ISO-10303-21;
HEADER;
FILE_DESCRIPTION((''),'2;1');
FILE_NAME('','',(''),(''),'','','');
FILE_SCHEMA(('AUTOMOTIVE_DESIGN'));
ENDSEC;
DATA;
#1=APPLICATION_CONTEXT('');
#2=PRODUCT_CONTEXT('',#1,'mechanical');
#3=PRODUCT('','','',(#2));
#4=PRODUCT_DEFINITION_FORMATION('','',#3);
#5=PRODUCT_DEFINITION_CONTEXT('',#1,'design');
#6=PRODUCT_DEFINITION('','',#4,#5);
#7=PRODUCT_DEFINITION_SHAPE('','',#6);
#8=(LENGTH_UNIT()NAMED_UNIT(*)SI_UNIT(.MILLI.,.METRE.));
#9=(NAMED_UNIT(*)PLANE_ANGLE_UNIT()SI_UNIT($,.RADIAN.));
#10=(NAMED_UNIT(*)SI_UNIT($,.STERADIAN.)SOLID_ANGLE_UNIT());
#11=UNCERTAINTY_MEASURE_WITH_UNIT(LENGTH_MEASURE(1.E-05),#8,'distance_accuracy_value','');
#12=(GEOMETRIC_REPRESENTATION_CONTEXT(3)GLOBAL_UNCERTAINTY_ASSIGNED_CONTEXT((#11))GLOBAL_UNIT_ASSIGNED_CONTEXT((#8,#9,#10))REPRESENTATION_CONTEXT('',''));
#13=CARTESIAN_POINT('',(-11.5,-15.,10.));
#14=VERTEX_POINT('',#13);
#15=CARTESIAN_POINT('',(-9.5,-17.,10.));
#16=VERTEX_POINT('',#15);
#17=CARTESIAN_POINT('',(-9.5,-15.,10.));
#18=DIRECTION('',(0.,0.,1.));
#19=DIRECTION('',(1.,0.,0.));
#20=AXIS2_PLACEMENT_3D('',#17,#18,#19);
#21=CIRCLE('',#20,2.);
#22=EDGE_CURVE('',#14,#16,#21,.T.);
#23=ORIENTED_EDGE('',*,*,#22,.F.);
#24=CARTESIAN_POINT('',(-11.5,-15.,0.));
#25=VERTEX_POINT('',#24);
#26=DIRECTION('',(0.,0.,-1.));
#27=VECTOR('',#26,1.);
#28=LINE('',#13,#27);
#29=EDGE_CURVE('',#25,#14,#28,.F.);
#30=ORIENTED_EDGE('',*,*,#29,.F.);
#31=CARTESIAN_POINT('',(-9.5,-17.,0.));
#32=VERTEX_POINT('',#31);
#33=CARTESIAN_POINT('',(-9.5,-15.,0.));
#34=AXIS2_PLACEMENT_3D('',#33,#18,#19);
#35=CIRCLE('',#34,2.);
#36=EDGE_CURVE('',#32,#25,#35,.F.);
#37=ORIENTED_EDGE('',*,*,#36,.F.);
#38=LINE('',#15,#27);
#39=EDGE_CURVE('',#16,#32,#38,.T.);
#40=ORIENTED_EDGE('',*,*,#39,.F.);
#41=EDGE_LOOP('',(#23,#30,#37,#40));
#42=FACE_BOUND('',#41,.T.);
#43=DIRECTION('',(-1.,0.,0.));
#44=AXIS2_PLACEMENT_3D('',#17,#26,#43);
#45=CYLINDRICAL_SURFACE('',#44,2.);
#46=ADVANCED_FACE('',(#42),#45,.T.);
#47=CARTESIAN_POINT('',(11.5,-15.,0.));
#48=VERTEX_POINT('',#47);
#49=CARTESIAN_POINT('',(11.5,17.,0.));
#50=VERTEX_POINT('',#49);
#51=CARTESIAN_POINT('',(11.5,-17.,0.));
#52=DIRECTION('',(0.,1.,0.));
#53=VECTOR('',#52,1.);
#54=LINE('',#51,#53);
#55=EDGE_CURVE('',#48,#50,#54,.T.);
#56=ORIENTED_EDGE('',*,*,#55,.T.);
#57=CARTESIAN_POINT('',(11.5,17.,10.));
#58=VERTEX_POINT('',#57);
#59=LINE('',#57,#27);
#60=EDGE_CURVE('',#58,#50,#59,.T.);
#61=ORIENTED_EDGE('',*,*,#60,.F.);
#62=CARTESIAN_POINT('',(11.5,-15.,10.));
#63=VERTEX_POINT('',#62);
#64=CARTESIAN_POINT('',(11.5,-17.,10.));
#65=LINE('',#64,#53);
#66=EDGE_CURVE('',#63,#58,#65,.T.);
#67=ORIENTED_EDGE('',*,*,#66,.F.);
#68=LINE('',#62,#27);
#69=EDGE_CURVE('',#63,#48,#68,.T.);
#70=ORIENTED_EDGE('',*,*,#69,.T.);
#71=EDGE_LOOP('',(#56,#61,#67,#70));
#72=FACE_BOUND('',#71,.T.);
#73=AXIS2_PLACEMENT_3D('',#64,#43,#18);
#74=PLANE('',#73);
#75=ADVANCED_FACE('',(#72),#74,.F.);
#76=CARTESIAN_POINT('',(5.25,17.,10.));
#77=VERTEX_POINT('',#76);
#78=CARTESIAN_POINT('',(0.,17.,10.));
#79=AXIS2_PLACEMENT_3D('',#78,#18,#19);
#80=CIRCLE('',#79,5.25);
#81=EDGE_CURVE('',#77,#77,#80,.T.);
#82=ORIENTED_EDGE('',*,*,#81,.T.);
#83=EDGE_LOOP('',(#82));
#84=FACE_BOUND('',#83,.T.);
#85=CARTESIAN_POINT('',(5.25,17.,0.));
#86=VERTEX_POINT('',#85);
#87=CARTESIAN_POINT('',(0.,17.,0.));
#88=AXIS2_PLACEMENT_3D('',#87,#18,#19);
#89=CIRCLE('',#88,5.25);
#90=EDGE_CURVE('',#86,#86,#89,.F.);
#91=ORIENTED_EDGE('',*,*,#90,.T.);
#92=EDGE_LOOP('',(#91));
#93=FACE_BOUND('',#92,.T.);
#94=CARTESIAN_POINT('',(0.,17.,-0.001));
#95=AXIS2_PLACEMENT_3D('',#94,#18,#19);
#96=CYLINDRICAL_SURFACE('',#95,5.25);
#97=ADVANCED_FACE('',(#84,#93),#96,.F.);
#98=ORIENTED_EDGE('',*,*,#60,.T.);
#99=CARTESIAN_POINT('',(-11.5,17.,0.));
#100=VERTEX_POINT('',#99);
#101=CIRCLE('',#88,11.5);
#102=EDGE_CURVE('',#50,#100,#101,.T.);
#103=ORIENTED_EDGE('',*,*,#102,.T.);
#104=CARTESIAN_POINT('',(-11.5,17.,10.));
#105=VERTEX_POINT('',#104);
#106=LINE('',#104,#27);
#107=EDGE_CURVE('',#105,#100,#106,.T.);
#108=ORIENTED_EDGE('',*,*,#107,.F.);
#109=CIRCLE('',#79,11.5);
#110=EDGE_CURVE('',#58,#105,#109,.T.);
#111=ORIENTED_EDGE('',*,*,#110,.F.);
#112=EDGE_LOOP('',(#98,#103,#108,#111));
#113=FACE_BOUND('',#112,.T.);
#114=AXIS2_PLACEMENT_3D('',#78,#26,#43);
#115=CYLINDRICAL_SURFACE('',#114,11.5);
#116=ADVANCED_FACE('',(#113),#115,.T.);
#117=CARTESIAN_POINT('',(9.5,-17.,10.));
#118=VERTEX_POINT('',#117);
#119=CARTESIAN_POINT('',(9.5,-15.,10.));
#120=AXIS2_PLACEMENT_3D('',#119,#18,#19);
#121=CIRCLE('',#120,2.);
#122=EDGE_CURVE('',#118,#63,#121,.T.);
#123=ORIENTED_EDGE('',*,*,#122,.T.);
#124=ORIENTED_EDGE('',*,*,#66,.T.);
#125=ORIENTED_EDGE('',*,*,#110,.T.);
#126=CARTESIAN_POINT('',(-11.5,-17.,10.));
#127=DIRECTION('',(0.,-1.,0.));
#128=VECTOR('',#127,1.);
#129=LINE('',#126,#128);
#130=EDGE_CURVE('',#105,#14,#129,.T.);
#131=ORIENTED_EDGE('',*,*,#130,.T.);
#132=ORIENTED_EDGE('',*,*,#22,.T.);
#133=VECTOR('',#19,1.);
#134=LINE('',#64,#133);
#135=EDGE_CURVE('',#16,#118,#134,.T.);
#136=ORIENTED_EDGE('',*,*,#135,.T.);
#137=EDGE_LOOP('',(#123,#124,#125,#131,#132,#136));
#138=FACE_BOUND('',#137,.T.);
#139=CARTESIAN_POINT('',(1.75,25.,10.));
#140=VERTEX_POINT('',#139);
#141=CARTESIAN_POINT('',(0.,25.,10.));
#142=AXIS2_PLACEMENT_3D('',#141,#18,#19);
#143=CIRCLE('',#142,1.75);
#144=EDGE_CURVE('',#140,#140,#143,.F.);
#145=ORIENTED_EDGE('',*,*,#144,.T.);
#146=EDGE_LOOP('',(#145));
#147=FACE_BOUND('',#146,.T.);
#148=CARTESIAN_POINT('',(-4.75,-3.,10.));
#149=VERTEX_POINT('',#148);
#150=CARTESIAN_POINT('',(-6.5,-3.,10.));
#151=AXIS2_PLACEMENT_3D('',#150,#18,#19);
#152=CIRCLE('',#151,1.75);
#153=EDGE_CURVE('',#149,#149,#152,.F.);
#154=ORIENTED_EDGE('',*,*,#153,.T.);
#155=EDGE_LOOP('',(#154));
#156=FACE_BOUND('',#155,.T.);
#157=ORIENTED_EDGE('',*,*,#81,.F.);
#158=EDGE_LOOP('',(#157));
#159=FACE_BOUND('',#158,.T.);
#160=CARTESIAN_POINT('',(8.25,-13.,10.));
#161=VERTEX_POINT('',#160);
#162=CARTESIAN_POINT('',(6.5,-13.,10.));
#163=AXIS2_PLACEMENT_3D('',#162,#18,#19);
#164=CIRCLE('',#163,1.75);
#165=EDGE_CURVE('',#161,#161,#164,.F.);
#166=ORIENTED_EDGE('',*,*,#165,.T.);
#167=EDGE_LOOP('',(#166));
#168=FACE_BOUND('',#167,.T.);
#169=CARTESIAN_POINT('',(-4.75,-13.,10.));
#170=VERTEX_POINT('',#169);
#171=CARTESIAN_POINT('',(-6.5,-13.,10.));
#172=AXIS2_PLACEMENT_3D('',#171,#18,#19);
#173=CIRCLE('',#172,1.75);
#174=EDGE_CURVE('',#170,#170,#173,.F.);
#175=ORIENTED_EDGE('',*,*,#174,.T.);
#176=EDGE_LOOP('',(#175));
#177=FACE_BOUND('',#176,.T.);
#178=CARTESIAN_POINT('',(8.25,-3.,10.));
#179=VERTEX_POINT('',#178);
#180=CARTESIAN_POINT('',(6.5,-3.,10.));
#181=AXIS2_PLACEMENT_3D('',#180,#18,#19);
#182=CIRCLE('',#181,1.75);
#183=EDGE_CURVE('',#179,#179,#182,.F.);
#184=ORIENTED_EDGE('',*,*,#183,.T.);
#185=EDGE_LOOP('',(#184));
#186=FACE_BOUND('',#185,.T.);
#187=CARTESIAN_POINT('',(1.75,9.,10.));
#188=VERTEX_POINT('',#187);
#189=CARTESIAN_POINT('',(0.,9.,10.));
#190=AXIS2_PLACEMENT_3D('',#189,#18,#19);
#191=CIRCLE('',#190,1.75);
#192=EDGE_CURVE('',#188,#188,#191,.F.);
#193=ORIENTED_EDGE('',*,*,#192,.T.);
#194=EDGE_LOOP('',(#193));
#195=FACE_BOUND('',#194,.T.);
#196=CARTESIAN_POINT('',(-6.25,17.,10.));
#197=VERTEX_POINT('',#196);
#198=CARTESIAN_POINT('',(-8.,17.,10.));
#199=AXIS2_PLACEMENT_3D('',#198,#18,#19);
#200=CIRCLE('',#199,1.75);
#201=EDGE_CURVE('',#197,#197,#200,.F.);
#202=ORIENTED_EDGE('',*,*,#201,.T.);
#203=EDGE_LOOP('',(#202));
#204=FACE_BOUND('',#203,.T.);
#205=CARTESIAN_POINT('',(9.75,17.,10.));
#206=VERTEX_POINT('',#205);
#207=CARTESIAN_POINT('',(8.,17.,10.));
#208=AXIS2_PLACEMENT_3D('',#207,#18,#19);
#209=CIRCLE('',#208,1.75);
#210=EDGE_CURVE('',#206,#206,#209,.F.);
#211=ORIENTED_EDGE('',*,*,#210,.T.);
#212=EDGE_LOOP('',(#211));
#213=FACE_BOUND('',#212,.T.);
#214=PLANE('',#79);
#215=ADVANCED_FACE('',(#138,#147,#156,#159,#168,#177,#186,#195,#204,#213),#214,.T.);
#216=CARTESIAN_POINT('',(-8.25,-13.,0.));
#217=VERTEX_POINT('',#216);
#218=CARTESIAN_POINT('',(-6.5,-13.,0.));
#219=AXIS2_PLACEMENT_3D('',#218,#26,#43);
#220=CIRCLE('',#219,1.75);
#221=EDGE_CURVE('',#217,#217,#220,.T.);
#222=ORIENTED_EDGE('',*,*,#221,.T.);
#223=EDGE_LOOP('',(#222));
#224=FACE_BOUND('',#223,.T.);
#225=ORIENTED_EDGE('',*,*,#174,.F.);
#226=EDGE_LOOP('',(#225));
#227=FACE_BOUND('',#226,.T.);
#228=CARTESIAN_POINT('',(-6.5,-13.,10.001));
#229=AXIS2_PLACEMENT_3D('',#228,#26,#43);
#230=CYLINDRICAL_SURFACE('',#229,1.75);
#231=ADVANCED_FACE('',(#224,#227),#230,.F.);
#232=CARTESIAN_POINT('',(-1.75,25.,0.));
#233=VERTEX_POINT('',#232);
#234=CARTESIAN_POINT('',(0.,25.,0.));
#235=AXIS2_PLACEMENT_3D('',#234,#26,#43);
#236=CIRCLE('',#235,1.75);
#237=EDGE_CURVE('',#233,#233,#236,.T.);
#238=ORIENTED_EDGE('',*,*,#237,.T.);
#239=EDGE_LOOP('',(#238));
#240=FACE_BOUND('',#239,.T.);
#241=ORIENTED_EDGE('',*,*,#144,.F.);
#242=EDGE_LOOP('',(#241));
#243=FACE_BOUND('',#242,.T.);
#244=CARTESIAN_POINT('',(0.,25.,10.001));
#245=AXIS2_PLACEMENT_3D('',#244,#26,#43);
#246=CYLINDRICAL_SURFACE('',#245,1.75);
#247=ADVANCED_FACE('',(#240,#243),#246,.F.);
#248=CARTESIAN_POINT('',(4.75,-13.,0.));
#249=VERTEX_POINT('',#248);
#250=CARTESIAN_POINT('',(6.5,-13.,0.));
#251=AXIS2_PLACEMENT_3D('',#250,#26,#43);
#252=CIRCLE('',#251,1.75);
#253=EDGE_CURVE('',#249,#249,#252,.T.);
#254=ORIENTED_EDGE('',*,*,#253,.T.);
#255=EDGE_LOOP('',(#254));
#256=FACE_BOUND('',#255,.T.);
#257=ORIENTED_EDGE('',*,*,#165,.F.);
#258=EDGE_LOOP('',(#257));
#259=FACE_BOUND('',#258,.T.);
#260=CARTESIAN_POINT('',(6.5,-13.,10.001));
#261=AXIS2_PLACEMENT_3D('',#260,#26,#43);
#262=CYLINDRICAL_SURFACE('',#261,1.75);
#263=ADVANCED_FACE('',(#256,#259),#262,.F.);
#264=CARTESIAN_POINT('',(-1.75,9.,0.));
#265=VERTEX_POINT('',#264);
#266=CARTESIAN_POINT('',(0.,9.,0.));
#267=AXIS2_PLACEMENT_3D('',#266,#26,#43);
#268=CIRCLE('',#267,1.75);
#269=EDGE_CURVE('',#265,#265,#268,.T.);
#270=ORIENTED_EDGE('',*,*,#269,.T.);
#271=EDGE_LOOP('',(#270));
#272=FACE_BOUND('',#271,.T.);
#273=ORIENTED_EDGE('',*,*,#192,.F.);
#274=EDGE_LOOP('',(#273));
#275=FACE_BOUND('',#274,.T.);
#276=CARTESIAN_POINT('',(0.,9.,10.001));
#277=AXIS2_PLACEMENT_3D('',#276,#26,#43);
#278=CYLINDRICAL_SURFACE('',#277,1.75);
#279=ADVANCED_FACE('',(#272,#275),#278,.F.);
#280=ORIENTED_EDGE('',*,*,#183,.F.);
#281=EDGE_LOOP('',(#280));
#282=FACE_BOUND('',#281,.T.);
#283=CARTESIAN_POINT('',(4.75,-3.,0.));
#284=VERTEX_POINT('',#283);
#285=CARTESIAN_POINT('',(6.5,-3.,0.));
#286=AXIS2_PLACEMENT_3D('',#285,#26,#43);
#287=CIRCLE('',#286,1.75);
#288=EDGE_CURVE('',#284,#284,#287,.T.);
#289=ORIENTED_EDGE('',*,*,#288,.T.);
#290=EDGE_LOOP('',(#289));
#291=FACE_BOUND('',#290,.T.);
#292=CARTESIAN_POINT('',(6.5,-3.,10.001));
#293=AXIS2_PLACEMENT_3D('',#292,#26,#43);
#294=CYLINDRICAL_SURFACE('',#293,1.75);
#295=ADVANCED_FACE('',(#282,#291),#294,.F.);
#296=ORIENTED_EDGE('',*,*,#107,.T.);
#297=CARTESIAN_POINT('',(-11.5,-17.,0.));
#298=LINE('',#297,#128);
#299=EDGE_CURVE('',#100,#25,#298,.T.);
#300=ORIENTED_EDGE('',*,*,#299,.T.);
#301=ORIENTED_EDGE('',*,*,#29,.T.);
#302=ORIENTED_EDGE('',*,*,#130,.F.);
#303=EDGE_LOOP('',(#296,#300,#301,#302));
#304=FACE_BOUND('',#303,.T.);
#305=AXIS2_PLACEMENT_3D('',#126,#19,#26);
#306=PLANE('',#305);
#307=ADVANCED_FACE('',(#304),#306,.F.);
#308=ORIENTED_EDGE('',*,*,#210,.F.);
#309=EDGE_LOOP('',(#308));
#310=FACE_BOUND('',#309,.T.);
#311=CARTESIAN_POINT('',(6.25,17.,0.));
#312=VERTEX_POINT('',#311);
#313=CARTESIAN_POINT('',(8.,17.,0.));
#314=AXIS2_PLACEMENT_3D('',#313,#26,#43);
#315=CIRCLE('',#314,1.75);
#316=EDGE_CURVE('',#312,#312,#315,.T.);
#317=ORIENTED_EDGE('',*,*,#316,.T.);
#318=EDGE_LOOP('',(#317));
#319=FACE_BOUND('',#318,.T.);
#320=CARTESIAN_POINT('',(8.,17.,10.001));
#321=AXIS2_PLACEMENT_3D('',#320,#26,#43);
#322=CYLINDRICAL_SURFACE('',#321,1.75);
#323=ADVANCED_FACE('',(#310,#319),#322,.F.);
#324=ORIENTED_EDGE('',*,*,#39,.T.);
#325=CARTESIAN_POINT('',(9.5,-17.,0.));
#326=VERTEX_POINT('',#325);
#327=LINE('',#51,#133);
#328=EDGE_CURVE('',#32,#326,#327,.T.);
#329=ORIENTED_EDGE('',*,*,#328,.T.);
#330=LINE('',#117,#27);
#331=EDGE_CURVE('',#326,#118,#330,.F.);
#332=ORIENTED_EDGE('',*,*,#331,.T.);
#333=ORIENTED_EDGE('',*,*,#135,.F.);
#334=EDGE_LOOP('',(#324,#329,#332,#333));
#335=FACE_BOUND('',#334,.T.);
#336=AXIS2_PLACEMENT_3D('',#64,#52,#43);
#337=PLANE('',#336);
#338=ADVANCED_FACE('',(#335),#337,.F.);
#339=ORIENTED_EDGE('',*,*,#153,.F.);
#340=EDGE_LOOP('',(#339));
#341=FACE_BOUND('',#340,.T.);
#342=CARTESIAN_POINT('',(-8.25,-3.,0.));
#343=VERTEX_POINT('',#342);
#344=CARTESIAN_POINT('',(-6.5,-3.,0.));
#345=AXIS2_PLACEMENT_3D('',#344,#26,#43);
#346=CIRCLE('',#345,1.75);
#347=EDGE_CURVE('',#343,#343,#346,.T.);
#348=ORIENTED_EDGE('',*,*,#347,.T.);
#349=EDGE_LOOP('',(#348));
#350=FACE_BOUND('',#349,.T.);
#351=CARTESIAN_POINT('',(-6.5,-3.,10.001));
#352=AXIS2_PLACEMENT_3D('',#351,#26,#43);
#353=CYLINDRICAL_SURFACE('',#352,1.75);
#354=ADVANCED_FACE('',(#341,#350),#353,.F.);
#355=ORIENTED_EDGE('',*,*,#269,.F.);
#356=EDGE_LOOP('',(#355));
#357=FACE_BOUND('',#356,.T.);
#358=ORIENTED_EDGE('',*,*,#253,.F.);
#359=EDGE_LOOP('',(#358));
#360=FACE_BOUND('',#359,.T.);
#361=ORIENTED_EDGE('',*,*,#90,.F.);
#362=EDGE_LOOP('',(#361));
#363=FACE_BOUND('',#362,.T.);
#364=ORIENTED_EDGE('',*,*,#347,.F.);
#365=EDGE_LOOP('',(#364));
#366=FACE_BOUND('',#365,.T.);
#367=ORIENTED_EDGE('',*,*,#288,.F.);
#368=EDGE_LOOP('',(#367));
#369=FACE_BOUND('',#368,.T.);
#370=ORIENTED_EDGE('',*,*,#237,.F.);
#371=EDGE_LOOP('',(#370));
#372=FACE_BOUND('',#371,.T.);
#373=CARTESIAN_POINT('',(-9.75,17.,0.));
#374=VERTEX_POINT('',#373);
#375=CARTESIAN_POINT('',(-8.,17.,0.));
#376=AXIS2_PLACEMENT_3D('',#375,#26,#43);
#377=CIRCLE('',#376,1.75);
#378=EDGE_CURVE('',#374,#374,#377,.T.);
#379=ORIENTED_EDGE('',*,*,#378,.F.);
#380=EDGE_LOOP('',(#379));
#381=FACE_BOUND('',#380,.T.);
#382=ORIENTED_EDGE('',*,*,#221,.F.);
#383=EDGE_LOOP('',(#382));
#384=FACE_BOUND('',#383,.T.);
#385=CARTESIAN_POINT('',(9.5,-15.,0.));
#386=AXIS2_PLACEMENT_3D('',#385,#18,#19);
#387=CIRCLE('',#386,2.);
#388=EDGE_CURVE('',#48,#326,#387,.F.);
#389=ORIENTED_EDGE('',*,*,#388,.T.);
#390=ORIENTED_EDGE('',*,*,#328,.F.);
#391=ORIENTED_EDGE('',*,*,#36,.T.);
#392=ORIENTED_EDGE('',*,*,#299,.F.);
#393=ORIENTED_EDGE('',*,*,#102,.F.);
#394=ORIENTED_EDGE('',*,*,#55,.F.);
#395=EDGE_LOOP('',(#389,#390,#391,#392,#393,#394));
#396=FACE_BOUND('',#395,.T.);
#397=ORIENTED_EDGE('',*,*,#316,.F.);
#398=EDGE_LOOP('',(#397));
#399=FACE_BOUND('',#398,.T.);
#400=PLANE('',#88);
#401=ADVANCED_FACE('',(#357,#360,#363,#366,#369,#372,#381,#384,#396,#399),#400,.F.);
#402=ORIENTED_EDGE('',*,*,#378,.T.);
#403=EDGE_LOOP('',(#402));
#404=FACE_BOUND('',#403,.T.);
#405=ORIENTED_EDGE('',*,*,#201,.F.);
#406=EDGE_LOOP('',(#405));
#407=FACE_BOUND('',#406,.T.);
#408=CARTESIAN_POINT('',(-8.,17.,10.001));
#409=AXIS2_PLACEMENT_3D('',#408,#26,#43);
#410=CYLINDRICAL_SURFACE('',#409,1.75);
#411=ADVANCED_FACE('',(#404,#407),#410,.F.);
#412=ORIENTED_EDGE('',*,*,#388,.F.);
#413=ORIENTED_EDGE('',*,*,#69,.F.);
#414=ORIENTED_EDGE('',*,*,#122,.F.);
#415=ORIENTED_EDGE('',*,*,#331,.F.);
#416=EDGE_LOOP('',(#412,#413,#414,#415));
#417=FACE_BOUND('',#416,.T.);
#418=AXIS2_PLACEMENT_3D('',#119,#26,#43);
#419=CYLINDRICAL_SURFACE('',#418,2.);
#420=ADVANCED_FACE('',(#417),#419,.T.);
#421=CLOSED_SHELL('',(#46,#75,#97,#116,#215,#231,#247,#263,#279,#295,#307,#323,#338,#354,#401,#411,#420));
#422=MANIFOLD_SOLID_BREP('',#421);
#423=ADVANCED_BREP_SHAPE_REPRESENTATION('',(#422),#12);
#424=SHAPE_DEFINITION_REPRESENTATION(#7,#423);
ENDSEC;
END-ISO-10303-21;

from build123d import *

# Parameters (mm, degrees)
BOSS_EXTRUDE1_DEPTH = 10
CUT_EXTRUDE1_REACH  = 34.319
SKETCH4_R           = 5.25
CUT_EXTRUDE2_REACH  = 34.319
SKETCH6_R           = 1.75
CUT_EXTRUDE3_REACH  = 34.319
SKETCH7_R           = 1.75
FILLET1_R           = 2


with BuildPart() as part:
    # Sketch2 → Boss-Extrude1 (new body)
    with BuildSketch(Plane.XY):
        with BuildLine():
            Line((11.5, -17), (-11.5, -17))
            Line((-11.5, -17), (-11.5, 17))
            ThreePointArc((-11.5, 17), (0, 28.5), (11.5, 17))
            Line((11.5, 17), (11.5, -17))
        make_face()
    extrude(amount=BOSS_EXTRUDE1_DEPTH)

    # Sketch4 → Cut-Extrude1 (cut, up to next)
    with BuildSketch(Plane.XY.offset(10), mode=Mode.PRIVATE) as cut_extrude1_sk1:
        with Locations((0, 17)):
            Circle(SKETCH4_R)
    cut_extrude1_tool1 = extrude(cut_extrude1_sk1.sketch, amount=-CUT_EXTRUDE1_REACH, mode=Mode.PRIVATE) & part.part
    add(cut_extrude1_tool1.solids().sort_by_distance((0, 17, 10))[0], mode=Mode.SUBTRACT)

    # Sketch6 → Cut-Extrude2 (cut, up to next)
    with BuildSketch(Plane(origin=(0, 0, 0), x_dir=(-1, 0, 0), z_dir=(0, 0, -1)), mode=Mode.PRIVATE) as cut_extrude2_sk1:
        with Locations((0, 25)):
            Circle(SKETCH6_R)
    cut_extrude2_tool1 = extrude(cut_extrude2_sk1.sketch, amount=-CUT_EXTRUDE2_REACH, mode=Mode.PRIVATE) & part.part
    # Sketch6 → Cut-Extrude2 (cut, up to next)
    with BuildSketch(Plane(origin=(0, 0, 0), x_dir=(-1, 0, 0), z_dir=(0, 0, -1)), mode=Mode.PRIVATE) as cut_extrude2_sk2:
        with Locations((8, 17)):
            Circle(SKETCH6_R)
    cut_extrude2_tool2 = extrude(cut_extrude2_sk2.sketch, amount=-CUT_EXTRUDE2_REACH, mode=Mode.PRIVATE) & part.part
    # Sketch6 → Cut-Extrude2 (cut, up to next)
    with BuildSketch(Plane(origin=(0, 0, 0), x_dir=(-1, 0, 0), z_dir=(0, 0, -1)), mode=Mode.PRIVATE) as cut_extrude2_sk3:
        with Locations((0, 9)):
            Circle(SKETCH6_R)
    cut_extrude2_tool3 = extrude(cut_extrude2_sk3.sketch, amount=-CUT_EXTRUDE2_REACH, mode=Mode.PRIVATE) & part.part
    # Sketch6 → Cut-Extrude2 (cut, up to next)
    with BuildSketch(Plane(origin=(0, 0, 0), x_dir=(-1, 0, 0), z_dir=(0, 0, -1)), mode=Mode.PRIVATE) as cut_extrude2_sk4:
        with Locations((-8, 17)):
            Circle(SKETCH6_R)
    cut_extrude2_tool4 = extrude(cut_extrude2_sk4.sketch, amount=-CUT_EXTRUDE2_REACH, mode=Mode.PRIVATE) & part.part
    add(cut_extrude2_tool1.solids().sort_by_distance((0, 25, 0))[0], mode=Mode.SUBTRACT)
    add(cut_extrude2_tool2.solids().sort_by_distance((-8, 17, 0))[0], mode=Mode.SUBTRACT)
    add(cut_extrude2_tool3.solids().sort_by_distance((0, 9, 0))[0], mode=Mode.SUBTRACT)
    add(cut_extrude2_tool4.solids().sort_by_distance((8, 17, 0))[0], mode=Mode.SUBTRACT)

    # Sketch7 → Cut-Extrude3 (cut, up to next)
    with BuildSketch(Plane(origin=(0, 0, 0), x_dir=(-1, 0, 0), z_dir=(0, 0, -1)), mode=Mode.PRIVATE) as cut_extrude3_sk1:
        with Locations((-6.5, -3)):
            Circle(SKETCH7_R)
    cut_extrude3_tool1 = extrude(cut_extrude3_sk1.sketch, amount=-CUT_EXTRUDE3_REACH, mode=Mode.PRIVATE) & part.part
    # Sketch7 → Cut-Extrude3 (cut, up to next)
    with BuildSketch(Plane(origin=(0, 0, 0), x_dir=(-1, 0, 0), z_dir=(0, 0, -1)), mode=Mode.PRIVATE) as cut_extrude3_sk2:
        with Locations((6.5, -3)):
            Circle(SKETCH7_R)
    cut_extrude3_tool2 = extrude(cut_extrude3_sk2.sketch, amount=-CUT_EXTRUDE3_REACH, mode=Mode.PRIVATE) & part.part
    # Sketch7 → Cut-Extrude3 (cut, up to next)
    with BuildSketch(Plane(origin=(0, 0, 0), x_dir=(-1, 0, 0), z_dir=(0, 0, -1)), mode=Mode.PRIVATE) as cut_extrude3_sk3:
        with Locations((6.5, -13)):
            Circle(SKETCH7_R)
    cut_extrude3_tool3 = extrude(cut_extrude3_sk3.sketch, amount=-CUT_EXTRUDE3_REACH, mode=Mode.PRIVATE) & part.part
    # Sketch7 → Cut-Extrude3 (cut, up to next)
    with BuildSketch(Plane(origin=(0, 0, 0), x_dir=(-1, 0, 0), z_dir=(0, 0, -1)), mode=Mode.PRIVATE) as cut_extrude3_sk4:
        with Locations((-6.5, -13)):
            Circle(SKETCH7_R)
    cut_extrude3_tool4 = extrude(cut_extrude3_sk4.sketch, amount=-CUT_EXTRUDE3_REACH, mode=Mode.PRIVATE) & part.part
    add(cut_extrude3_tool1.solids().sort_by_distance((6.5, -3, 0))[0], mode=Mode.SUBTRACT)
    add(cut_extrude3_tool2.solids().sort_by_distance((-6.5, -3, 0))[0], mode=Mode.SUBTRACT)
    add(cut_extrude3_tool3.solids().sort_by_distance((-6.5, -13, 0))[0], mode=Mode.SUBTRACT)
    add(cut_extrude3_tool4.solids().sort_by_distance((6.5, -13, 0))[0], mode=Mode.SUBTRACT)

    # Fillet1
    fillet1_edges = [part.edges().sort_by_distance(p)[0] for p in [
        (11.5, -17, 5),
        (-11.5, -17, 5),
    ]]
    fillet(fillet1_edges, radius=FILLET1_R)


solid = part.part
